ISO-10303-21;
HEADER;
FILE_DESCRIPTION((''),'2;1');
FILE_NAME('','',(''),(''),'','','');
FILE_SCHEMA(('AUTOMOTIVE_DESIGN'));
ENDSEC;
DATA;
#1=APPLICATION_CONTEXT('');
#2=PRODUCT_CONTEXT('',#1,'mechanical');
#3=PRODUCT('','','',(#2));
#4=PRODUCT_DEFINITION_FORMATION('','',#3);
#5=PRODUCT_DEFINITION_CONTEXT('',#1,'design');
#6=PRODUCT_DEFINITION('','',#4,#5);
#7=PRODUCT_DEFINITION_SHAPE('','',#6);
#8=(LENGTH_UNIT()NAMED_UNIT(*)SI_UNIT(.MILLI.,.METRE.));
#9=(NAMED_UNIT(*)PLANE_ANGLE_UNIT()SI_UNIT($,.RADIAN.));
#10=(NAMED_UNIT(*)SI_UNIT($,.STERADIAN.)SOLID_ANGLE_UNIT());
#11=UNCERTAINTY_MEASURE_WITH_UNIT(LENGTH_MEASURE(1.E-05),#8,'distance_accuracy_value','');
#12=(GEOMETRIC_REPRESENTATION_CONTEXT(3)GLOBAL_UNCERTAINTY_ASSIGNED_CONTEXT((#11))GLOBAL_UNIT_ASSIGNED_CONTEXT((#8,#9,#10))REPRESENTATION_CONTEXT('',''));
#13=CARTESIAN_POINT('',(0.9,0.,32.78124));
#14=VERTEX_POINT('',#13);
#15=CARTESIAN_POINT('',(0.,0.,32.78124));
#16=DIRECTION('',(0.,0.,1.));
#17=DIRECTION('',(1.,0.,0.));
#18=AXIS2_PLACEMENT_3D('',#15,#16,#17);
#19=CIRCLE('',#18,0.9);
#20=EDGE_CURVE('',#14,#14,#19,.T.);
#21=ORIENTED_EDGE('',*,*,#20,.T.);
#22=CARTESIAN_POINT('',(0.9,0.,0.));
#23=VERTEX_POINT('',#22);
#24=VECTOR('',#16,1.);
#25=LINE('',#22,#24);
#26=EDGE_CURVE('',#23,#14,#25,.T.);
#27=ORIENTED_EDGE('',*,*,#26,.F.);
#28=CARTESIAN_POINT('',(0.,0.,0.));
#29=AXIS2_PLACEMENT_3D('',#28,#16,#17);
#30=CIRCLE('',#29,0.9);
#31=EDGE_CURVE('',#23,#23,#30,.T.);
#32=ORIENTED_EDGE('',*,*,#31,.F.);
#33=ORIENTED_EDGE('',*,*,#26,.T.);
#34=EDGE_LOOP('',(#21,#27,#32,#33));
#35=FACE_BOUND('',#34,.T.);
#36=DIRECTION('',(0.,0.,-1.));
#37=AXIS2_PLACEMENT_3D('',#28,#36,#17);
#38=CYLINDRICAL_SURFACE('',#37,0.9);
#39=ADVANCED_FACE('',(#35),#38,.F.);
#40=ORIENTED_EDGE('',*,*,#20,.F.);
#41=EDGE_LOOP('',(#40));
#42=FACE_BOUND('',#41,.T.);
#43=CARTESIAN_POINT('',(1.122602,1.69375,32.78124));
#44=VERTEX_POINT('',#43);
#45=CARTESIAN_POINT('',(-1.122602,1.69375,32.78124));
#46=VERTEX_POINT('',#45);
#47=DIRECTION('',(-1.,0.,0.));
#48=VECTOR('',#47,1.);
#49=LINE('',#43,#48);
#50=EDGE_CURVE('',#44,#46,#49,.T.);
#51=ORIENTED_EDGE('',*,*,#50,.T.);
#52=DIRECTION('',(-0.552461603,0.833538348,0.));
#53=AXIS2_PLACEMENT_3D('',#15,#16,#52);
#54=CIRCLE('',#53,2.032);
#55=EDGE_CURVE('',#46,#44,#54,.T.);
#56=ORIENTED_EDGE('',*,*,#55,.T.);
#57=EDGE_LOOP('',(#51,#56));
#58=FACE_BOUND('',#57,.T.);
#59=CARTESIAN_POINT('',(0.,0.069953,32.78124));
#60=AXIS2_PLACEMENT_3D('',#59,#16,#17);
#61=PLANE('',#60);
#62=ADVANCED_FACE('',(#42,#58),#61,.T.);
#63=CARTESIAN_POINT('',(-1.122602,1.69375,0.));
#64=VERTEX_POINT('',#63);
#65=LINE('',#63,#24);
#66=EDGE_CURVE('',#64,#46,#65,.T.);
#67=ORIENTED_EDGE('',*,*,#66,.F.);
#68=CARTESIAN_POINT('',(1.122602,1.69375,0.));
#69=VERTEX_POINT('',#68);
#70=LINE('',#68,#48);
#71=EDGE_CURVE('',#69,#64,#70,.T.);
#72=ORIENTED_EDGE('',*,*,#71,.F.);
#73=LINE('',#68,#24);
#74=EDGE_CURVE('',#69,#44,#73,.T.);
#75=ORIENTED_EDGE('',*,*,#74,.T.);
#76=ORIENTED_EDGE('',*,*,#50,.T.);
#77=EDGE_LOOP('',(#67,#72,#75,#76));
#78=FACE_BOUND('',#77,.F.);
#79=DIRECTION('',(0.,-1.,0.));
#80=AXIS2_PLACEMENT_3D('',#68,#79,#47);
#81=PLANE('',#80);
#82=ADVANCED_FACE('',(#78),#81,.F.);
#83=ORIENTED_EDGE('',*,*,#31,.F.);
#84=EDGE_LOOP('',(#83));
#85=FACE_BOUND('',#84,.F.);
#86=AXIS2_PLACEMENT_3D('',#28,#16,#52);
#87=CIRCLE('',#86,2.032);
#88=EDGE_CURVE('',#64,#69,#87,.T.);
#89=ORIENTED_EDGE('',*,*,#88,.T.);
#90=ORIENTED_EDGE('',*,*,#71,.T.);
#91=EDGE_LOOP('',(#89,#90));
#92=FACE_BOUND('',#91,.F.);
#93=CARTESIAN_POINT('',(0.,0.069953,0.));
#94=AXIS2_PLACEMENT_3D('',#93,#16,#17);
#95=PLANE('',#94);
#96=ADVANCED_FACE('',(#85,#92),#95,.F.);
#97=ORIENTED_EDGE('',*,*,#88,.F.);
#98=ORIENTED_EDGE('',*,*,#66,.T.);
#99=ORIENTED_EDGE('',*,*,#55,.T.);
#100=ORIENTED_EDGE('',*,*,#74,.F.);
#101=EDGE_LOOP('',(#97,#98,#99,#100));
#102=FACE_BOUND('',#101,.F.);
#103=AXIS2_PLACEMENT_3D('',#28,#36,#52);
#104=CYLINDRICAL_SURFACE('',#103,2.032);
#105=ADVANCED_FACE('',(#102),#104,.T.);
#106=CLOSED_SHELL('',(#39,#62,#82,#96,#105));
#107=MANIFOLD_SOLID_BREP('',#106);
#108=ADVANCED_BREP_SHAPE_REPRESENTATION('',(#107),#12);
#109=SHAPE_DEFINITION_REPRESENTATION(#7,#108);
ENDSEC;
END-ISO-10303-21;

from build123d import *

# Parameters (mm, degrees)
F0_R     = 0.9
F1_DEPTH = 32.78124


with BuildPart() as f1:
    # F0 (on Top) → F1 (new body)
    with BuildSketch(Plane.XY):
        with BuildLine():
            Line((1.122602, 1.69375), (-1.122602, 1.69375))
            ThreePointArc((-1.122602, 1.69375), (0, -2.032), (1.122602, 1.69375))
        make_face()
        Circle(F0_R, mode=Mode.SUBTRACT)
    extrude(amount=F1_DEPTH)


solid = f1.part
